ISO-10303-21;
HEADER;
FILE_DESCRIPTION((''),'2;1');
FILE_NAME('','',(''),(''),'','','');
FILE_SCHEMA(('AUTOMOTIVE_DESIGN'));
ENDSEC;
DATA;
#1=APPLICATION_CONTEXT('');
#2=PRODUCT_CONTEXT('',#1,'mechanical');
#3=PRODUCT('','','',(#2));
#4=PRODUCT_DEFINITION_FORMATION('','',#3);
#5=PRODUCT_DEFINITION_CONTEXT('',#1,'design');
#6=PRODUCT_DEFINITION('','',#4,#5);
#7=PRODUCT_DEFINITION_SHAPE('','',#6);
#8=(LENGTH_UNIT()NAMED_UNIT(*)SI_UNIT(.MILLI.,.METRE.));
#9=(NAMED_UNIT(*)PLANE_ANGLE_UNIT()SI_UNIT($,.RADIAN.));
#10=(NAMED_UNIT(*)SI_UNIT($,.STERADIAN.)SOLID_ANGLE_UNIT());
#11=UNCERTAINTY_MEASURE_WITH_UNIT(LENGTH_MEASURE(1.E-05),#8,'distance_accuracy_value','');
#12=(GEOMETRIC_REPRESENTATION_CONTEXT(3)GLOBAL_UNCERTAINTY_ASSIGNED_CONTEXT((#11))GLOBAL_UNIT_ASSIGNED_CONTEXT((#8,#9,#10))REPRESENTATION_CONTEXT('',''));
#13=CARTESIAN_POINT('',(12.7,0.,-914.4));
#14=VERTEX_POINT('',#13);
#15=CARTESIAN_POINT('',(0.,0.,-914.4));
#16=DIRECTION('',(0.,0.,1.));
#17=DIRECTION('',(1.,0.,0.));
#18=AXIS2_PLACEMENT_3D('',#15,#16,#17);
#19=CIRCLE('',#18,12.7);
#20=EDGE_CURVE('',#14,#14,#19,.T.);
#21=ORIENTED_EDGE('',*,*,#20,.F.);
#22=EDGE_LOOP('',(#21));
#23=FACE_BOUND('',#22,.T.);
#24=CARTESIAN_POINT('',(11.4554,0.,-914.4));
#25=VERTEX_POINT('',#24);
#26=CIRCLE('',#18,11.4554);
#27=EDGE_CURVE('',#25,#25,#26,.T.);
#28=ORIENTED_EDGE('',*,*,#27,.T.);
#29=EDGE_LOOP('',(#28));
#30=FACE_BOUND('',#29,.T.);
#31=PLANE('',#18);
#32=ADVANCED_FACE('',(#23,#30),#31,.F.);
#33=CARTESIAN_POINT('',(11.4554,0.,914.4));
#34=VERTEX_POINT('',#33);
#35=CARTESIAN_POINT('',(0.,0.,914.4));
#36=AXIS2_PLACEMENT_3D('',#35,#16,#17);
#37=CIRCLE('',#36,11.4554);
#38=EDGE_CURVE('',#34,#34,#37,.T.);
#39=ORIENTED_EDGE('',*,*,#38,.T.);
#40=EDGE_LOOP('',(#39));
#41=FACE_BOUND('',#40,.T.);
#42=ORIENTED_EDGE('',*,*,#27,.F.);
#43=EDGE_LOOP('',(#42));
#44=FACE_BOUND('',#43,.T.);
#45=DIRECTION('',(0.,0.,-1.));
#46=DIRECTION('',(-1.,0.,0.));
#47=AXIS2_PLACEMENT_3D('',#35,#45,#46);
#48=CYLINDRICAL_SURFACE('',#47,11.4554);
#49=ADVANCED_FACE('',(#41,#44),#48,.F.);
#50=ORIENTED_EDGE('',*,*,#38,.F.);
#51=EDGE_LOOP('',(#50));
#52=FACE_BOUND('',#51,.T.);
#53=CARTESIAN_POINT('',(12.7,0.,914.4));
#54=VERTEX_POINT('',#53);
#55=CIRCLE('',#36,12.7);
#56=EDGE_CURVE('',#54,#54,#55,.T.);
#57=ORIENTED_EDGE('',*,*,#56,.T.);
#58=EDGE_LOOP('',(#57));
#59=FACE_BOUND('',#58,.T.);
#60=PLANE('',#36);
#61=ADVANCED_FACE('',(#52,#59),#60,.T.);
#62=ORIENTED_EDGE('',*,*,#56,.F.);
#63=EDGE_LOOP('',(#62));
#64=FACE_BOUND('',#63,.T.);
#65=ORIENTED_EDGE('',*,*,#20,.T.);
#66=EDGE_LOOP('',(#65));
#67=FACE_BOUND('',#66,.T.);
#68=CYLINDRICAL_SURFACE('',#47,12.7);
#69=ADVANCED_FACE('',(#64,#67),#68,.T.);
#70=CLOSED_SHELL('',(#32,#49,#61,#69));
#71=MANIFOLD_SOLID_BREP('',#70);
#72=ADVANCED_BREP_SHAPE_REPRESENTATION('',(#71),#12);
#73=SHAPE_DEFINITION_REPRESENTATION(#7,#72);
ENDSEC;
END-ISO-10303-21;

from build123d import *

# Parameters (mm, degrees)
BOSS_EXTRUDE1_DEPTH      = 914.4
BOSS_EXTRUDE1_DEPTH_BACK = 914.4
SKETCH3_R                = 12.7
SKETCH3_R_2              = 11.4554


with BuildPart() as part:
    # Sketch3 → Boss-Extrude1 (new, two sides: drawn at the far end of the back side and taken through both)
    with BuildSketch(Plane.XY.offset(-BOSS_EXTRUDE1_DEPTH_BACK)):
        Circle(SKETCH3_R)
        Circle(SKETCH3_R_2, mode=Mode.SUBTRACT)
    extrude(amount=BOSS_EXTRUDE1_DEPTH + BOSS_EXTRUDE1_DEPTH_BACK)


solid = part.part
